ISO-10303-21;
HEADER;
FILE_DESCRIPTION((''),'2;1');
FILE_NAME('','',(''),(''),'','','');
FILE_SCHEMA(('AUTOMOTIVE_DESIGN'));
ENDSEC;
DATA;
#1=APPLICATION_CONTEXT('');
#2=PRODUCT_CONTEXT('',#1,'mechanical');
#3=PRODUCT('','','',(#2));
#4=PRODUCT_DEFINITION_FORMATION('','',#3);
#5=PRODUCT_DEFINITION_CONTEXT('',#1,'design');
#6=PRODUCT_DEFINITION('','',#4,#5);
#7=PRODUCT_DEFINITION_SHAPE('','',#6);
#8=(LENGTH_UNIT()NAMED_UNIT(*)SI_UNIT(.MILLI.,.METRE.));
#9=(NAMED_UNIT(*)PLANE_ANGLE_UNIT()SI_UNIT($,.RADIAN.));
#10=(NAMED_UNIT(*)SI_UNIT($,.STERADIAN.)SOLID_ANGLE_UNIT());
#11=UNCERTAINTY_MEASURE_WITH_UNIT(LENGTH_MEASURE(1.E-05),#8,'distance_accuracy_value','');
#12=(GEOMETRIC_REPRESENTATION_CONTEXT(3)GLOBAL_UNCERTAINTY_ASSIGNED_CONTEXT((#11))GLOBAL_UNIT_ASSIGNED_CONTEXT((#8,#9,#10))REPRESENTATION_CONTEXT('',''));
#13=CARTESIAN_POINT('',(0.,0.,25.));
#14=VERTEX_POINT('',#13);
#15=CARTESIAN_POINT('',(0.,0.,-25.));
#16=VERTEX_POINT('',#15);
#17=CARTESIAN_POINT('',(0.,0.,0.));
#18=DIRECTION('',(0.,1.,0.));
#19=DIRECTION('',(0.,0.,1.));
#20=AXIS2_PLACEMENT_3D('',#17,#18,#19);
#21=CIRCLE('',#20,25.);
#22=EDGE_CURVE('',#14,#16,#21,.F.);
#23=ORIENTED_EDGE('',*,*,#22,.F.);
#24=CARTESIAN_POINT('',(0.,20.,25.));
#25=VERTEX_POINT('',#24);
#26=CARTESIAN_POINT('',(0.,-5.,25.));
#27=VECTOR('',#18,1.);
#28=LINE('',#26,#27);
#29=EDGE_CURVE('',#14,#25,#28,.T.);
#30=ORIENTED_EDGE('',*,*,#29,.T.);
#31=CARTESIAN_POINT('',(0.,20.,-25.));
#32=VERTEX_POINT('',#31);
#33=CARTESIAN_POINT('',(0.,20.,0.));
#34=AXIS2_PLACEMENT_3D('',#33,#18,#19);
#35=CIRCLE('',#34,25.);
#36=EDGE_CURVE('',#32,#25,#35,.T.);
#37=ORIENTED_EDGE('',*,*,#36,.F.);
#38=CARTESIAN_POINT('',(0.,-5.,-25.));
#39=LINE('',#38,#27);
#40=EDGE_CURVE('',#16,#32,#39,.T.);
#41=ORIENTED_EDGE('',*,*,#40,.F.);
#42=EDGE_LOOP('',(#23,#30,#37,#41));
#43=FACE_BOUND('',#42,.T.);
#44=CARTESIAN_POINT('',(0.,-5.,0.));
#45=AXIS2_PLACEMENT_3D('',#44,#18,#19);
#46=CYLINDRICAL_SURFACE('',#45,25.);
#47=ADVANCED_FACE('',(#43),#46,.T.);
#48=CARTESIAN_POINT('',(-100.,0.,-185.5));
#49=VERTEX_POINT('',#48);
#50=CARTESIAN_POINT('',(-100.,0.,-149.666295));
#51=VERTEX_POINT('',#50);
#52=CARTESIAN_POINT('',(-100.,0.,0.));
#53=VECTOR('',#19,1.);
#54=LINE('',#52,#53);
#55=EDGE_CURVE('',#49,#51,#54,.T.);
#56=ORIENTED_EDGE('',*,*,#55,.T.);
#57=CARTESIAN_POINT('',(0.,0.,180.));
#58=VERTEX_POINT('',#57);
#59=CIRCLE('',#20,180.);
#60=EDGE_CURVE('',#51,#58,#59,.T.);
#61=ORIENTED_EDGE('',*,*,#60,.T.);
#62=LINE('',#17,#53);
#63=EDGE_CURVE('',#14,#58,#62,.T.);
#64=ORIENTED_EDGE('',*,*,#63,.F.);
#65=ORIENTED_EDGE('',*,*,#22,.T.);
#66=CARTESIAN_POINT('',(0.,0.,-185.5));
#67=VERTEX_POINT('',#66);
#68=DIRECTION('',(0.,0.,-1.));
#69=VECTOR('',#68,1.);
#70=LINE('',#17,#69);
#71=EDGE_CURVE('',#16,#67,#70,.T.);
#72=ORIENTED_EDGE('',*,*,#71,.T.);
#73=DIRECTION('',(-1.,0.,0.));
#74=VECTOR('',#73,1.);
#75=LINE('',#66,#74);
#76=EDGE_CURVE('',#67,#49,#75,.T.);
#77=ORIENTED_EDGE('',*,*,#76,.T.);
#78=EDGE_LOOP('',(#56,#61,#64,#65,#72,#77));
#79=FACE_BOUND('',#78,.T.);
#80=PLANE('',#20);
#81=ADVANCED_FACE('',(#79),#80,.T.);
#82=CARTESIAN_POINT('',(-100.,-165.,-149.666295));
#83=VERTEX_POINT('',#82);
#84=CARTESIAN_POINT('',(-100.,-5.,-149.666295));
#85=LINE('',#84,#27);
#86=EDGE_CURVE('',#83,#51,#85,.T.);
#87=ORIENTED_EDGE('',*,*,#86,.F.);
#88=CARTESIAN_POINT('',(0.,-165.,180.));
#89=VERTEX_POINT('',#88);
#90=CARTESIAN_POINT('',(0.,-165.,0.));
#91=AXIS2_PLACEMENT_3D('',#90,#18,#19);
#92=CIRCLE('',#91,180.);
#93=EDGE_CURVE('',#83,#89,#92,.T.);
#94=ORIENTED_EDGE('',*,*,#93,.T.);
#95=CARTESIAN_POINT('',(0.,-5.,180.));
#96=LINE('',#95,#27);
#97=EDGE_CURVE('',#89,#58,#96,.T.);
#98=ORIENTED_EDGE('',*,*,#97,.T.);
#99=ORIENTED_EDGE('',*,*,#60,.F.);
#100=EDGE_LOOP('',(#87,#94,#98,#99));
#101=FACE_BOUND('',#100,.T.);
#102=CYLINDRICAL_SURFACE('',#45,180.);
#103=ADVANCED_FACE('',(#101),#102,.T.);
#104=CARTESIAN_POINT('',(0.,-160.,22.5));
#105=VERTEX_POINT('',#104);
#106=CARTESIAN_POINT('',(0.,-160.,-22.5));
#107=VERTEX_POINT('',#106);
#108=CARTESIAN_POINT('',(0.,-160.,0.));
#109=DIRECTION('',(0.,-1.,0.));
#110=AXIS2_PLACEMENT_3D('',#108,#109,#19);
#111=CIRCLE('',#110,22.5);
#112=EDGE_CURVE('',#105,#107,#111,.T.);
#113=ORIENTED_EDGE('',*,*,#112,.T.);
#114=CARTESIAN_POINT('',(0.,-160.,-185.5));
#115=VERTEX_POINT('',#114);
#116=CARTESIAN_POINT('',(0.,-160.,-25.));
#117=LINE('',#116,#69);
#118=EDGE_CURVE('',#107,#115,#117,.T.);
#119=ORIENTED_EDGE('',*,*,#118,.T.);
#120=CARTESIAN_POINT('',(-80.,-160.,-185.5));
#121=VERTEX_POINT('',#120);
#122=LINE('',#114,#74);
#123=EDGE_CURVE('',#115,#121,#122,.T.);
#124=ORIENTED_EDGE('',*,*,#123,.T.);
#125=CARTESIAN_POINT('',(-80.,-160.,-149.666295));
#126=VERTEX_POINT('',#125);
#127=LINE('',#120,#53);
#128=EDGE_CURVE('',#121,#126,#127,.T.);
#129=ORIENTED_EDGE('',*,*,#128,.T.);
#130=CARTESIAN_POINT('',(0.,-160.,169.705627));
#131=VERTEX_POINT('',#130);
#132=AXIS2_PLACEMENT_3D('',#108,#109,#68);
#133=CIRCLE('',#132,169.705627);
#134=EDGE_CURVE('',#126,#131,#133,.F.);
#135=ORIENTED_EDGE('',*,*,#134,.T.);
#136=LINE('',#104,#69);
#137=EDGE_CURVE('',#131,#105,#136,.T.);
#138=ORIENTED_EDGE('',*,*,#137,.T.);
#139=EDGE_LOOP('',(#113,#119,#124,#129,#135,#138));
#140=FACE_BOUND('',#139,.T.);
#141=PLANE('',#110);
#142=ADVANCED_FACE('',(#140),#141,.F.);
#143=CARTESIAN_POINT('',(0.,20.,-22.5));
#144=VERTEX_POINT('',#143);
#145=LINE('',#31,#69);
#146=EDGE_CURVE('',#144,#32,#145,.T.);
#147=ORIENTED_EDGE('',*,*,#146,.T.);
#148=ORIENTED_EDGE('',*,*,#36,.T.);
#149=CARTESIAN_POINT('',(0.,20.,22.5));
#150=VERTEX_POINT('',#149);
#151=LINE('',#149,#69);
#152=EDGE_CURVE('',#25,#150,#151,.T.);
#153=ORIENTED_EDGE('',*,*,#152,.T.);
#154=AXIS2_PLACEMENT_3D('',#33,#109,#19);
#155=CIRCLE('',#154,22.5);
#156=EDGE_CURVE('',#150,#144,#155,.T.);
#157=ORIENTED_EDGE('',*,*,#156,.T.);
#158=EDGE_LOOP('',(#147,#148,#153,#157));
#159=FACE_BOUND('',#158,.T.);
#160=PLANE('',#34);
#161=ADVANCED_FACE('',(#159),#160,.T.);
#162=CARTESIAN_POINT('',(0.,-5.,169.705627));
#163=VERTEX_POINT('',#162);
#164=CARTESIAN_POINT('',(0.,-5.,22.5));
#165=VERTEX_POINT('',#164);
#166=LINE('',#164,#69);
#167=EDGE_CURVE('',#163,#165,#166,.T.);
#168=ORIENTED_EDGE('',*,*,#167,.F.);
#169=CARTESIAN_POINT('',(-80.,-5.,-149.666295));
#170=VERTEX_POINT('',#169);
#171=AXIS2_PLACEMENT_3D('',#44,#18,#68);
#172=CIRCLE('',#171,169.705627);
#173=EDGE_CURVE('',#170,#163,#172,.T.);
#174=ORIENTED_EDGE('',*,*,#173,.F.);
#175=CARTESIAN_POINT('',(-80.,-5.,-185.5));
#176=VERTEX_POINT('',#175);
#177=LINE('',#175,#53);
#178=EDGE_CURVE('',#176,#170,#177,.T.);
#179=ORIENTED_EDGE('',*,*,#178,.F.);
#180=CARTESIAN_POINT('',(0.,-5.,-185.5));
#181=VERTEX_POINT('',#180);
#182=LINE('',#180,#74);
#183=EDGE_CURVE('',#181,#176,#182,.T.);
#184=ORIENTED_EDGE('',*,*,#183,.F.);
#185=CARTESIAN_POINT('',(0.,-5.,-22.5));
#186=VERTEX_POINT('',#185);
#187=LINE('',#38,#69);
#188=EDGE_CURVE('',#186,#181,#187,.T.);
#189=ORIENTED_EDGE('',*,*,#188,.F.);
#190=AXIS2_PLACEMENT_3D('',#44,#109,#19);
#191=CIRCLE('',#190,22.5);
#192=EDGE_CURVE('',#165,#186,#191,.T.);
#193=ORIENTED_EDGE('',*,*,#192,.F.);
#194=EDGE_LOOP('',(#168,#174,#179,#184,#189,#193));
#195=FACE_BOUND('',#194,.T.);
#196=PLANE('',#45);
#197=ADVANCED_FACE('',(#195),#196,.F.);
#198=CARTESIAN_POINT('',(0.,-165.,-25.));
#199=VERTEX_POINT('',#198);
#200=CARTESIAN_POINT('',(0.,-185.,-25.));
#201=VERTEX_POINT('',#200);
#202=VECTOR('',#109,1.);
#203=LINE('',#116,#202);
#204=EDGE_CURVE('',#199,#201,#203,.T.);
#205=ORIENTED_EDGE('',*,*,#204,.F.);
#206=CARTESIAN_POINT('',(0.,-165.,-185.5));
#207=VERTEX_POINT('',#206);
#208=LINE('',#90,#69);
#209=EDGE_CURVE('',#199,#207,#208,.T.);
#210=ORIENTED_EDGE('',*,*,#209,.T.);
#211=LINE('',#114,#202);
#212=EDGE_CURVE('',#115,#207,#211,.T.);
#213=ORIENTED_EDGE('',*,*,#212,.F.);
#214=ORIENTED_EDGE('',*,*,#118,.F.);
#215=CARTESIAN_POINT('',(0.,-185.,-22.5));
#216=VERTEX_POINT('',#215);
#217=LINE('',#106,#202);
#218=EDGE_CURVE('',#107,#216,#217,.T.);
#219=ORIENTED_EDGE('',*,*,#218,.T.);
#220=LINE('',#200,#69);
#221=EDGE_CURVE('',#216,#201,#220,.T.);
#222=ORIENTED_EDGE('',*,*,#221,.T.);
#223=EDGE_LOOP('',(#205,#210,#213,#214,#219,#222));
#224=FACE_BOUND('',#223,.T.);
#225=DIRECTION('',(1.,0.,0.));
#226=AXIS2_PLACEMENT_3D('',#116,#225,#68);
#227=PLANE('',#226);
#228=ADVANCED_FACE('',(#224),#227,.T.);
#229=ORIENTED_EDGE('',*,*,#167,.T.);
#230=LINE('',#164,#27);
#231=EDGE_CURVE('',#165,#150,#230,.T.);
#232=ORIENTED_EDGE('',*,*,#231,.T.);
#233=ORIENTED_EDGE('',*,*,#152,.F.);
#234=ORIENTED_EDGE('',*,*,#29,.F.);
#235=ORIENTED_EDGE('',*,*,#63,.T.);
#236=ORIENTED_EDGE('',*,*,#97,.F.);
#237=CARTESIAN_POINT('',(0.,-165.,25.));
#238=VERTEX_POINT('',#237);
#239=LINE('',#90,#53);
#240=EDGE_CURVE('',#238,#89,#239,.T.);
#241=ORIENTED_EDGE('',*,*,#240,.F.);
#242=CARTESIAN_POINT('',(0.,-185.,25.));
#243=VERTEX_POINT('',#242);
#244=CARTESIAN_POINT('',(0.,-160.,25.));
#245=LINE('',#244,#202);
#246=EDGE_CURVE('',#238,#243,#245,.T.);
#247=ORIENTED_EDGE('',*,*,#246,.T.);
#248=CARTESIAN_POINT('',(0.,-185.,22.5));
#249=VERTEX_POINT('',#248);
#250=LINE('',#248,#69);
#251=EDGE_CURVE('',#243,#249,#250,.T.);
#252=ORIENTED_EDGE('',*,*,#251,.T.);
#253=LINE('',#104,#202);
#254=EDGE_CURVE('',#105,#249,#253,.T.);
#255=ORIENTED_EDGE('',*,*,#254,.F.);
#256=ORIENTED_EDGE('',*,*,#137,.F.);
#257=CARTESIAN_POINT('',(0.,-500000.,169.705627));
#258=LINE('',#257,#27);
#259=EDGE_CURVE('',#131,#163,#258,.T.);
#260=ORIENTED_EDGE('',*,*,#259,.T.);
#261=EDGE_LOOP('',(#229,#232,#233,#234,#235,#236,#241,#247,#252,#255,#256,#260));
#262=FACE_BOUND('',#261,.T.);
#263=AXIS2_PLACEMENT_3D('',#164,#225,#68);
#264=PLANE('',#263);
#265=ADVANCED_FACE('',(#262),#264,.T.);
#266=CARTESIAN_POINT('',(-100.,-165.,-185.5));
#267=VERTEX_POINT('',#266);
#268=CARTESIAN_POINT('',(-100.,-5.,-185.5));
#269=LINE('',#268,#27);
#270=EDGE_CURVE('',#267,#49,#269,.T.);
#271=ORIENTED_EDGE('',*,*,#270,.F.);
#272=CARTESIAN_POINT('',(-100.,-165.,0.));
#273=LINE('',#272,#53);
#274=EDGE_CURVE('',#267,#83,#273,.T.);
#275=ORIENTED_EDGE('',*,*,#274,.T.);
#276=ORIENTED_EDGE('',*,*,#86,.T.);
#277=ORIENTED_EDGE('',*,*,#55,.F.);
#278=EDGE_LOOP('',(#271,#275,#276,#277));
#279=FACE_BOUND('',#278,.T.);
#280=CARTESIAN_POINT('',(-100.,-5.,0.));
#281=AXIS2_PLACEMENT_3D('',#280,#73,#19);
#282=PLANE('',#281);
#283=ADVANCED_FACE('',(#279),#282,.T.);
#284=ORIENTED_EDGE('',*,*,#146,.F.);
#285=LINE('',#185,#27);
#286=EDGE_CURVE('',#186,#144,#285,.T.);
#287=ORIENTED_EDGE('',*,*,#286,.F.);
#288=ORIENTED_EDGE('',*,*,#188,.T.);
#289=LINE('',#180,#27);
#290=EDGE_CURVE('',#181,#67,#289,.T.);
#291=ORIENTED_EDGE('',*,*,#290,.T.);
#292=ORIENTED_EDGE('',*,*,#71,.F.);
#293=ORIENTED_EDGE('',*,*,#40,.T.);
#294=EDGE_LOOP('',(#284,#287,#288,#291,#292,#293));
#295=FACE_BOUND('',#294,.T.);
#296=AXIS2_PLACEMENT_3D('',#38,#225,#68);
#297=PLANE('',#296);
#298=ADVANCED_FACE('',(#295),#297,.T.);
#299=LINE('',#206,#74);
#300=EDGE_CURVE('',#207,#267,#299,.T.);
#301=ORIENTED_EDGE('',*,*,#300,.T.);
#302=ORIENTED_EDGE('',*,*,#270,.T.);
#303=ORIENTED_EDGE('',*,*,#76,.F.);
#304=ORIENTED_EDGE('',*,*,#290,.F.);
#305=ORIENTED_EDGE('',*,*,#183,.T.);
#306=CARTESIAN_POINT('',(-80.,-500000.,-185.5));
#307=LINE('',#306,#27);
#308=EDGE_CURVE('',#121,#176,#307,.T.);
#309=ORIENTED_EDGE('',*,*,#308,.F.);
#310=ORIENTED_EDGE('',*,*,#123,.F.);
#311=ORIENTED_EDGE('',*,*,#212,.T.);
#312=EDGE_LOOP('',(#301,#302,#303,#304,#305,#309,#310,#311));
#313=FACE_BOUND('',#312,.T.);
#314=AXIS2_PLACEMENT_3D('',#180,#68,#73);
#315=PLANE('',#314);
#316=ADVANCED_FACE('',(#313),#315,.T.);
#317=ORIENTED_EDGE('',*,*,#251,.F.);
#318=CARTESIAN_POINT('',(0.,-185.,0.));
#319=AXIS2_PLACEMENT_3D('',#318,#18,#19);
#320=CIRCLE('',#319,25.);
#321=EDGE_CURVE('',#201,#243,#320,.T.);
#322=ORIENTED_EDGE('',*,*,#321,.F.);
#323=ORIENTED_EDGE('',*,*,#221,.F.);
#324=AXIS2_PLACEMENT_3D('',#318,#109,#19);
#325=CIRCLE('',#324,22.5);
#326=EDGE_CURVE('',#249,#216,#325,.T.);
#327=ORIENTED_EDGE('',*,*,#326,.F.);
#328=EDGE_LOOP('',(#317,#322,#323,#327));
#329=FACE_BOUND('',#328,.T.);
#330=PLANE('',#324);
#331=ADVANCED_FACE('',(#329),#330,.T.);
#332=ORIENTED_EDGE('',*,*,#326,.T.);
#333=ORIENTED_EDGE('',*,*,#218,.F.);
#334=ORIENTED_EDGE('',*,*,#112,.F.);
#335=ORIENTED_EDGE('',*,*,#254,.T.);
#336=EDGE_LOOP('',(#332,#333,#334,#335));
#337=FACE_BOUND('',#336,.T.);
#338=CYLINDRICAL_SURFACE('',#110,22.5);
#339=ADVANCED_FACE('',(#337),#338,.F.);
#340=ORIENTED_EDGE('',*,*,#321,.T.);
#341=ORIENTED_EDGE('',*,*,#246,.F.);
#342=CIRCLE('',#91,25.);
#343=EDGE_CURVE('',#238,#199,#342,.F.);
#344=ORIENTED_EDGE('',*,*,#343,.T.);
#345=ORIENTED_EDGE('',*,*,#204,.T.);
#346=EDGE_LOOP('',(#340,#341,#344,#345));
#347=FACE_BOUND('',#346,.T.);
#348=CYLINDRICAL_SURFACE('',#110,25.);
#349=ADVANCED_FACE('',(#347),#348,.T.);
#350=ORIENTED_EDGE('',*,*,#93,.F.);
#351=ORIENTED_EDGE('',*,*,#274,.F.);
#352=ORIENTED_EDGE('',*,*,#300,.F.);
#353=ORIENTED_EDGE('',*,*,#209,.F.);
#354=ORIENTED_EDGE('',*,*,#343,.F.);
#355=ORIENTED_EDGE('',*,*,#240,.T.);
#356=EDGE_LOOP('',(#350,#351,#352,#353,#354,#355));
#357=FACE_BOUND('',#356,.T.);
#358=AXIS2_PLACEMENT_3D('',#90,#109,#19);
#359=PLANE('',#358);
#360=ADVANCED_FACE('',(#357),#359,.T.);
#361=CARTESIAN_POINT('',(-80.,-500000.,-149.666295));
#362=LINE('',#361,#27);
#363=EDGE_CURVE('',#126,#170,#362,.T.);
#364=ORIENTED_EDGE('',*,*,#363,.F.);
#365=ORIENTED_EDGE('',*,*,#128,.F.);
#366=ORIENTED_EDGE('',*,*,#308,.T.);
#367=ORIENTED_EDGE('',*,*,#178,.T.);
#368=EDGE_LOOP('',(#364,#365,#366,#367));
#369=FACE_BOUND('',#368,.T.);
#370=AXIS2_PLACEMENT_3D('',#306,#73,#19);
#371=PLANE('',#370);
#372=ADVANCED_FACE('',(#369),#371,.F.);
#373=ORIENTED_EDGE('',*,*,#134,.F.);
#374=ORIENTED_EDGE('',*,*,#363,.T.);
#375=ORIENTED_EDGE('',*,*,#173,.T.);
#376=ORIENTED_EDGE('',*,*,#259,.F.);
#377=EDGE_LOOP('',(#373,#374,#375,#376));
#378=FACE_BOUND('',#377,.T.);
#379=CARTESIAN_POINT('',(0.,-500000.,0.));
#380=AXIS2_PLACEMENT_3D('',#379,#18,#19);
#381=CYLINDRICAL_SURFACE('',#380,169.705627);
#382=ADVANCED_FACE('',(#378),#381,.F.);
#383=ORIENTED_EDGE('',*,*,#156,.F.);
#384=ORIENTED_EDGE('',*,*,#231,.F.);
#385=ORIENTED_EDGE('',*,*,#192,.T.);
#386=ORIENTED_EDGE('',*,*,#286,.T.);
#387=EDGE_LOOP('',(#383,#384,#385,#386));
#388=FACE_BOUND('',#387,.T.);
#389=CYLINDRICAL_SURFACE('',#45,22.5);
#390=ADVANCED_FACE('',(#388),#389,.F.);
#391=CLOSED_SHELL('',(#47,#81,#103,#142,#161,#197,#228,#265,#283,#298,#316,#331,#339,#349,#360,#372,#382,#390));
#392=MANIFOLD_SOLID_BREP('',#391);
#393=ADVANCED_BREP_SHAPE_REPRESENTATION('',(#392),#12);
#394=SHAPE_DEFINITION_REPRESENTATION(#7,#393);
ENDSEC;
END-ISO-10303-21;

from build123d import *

# Parameters (mm, degrees)
BOSS_EXTRUDE1_DEPTH      = 20
BOSS_EXTRUDE1_DEPTH_BACK = 5
BOSS_EXTRUDE2_START      = -5
BOSS_EXTRUDE2_DEPTH      = 5
BOSS_EXTRUDE3_REACH      = 316.977


with BuildPart() as part:
    # Sketch1 → Boss-Extrude1 (new, two sides: drawn at the far end of the back side and taken through both)
    with BuildSketch(Plane(origin=(0, 0, 0), x_dir=(1, 0, 0), z_dir=(0, 1, 0)).offset(-BOSS_EXTRUDE1_DEPTH_BACK)):
        with BuildLine():
            Line((0, 25), (0, 22.5))
            ThreePointArc((0, 22.5), (-22.5, 0), (0, -22.5))
            Line((0, -22.5), (0, -25))
            ThreePointArc((0, -25), (-25, 0), (0, 25))
        make_face()
    extrude(amount=BOSS_EXTRUDE1_DEPTH + BOSS_EXTRUDE1_DEPTH_BACK)

    # Sketch2 → Boss-Extrude2 (add)
    with BuildSketch(Plane(origin=(0, 0, 0), x_dir=(1, 0, 0), z_dir=(0, 1, 0)).offset(BOSS_EXTRUDE2_START)):
        with BuildLine():
            Line((0, -25), (0, -180))
            ThreePointArc((0, -180), (-172.249721603, -52.249721603), (-100, 149.666295471))
            Line((-100, 149.666295471), (-100, 185.5))
            Line((-100, 185.5), (0, 185.5))
            Line((0, 185.5), (0, 25))
            ThreePointArc((0, 25), (-25, 0), (0, -25))
        make_face()
    extrude(amount=BOSS_EXTRUDE2_DEPTH)


with BuildPart() as body_2:
    # Mirror1: mirrored copy
    add(part.part.mirror(Plane.ZX.offset(-82.5)))

    # Sketch3 → Boss-Extrude3 (add, up to next)
    with BuildSketch(Plane.XZ.offset(5), mode=Mode.PRIVATE) as boss_extrude3_sk1:
        with BuildLine():
            Line((-100, -149.666295471), (-100, -185.5))
            Line((-100, -185.5), (-80, -185.5))
            Line((-80, -185.5), (-80, -149.666295471))
            ThreePointArc((-80, -149.666295471), (-164.619580528, 41.235830377), (0, 169.705627485))
            Line((0, 169.705627485), (0, 180))
            ThreePointArc((0, 180), (-172.249721603, 52.249721603), (-100, -149.666295471))
        make_face()
    boss_extrude3_tool1 = extrude(boss_extrude3_sk1.sketch, amount=BOSS_EXTRUDE3_REACH, mode=Mode.PRIVATE) - body_2.part

    add(part.part)  # Boss-Extrude3 merges part
    add(boss_extrude3_tool1.solids().sort_by_distance((-95.92581, -5, -167.583148))[0])


solid = body_2.part
